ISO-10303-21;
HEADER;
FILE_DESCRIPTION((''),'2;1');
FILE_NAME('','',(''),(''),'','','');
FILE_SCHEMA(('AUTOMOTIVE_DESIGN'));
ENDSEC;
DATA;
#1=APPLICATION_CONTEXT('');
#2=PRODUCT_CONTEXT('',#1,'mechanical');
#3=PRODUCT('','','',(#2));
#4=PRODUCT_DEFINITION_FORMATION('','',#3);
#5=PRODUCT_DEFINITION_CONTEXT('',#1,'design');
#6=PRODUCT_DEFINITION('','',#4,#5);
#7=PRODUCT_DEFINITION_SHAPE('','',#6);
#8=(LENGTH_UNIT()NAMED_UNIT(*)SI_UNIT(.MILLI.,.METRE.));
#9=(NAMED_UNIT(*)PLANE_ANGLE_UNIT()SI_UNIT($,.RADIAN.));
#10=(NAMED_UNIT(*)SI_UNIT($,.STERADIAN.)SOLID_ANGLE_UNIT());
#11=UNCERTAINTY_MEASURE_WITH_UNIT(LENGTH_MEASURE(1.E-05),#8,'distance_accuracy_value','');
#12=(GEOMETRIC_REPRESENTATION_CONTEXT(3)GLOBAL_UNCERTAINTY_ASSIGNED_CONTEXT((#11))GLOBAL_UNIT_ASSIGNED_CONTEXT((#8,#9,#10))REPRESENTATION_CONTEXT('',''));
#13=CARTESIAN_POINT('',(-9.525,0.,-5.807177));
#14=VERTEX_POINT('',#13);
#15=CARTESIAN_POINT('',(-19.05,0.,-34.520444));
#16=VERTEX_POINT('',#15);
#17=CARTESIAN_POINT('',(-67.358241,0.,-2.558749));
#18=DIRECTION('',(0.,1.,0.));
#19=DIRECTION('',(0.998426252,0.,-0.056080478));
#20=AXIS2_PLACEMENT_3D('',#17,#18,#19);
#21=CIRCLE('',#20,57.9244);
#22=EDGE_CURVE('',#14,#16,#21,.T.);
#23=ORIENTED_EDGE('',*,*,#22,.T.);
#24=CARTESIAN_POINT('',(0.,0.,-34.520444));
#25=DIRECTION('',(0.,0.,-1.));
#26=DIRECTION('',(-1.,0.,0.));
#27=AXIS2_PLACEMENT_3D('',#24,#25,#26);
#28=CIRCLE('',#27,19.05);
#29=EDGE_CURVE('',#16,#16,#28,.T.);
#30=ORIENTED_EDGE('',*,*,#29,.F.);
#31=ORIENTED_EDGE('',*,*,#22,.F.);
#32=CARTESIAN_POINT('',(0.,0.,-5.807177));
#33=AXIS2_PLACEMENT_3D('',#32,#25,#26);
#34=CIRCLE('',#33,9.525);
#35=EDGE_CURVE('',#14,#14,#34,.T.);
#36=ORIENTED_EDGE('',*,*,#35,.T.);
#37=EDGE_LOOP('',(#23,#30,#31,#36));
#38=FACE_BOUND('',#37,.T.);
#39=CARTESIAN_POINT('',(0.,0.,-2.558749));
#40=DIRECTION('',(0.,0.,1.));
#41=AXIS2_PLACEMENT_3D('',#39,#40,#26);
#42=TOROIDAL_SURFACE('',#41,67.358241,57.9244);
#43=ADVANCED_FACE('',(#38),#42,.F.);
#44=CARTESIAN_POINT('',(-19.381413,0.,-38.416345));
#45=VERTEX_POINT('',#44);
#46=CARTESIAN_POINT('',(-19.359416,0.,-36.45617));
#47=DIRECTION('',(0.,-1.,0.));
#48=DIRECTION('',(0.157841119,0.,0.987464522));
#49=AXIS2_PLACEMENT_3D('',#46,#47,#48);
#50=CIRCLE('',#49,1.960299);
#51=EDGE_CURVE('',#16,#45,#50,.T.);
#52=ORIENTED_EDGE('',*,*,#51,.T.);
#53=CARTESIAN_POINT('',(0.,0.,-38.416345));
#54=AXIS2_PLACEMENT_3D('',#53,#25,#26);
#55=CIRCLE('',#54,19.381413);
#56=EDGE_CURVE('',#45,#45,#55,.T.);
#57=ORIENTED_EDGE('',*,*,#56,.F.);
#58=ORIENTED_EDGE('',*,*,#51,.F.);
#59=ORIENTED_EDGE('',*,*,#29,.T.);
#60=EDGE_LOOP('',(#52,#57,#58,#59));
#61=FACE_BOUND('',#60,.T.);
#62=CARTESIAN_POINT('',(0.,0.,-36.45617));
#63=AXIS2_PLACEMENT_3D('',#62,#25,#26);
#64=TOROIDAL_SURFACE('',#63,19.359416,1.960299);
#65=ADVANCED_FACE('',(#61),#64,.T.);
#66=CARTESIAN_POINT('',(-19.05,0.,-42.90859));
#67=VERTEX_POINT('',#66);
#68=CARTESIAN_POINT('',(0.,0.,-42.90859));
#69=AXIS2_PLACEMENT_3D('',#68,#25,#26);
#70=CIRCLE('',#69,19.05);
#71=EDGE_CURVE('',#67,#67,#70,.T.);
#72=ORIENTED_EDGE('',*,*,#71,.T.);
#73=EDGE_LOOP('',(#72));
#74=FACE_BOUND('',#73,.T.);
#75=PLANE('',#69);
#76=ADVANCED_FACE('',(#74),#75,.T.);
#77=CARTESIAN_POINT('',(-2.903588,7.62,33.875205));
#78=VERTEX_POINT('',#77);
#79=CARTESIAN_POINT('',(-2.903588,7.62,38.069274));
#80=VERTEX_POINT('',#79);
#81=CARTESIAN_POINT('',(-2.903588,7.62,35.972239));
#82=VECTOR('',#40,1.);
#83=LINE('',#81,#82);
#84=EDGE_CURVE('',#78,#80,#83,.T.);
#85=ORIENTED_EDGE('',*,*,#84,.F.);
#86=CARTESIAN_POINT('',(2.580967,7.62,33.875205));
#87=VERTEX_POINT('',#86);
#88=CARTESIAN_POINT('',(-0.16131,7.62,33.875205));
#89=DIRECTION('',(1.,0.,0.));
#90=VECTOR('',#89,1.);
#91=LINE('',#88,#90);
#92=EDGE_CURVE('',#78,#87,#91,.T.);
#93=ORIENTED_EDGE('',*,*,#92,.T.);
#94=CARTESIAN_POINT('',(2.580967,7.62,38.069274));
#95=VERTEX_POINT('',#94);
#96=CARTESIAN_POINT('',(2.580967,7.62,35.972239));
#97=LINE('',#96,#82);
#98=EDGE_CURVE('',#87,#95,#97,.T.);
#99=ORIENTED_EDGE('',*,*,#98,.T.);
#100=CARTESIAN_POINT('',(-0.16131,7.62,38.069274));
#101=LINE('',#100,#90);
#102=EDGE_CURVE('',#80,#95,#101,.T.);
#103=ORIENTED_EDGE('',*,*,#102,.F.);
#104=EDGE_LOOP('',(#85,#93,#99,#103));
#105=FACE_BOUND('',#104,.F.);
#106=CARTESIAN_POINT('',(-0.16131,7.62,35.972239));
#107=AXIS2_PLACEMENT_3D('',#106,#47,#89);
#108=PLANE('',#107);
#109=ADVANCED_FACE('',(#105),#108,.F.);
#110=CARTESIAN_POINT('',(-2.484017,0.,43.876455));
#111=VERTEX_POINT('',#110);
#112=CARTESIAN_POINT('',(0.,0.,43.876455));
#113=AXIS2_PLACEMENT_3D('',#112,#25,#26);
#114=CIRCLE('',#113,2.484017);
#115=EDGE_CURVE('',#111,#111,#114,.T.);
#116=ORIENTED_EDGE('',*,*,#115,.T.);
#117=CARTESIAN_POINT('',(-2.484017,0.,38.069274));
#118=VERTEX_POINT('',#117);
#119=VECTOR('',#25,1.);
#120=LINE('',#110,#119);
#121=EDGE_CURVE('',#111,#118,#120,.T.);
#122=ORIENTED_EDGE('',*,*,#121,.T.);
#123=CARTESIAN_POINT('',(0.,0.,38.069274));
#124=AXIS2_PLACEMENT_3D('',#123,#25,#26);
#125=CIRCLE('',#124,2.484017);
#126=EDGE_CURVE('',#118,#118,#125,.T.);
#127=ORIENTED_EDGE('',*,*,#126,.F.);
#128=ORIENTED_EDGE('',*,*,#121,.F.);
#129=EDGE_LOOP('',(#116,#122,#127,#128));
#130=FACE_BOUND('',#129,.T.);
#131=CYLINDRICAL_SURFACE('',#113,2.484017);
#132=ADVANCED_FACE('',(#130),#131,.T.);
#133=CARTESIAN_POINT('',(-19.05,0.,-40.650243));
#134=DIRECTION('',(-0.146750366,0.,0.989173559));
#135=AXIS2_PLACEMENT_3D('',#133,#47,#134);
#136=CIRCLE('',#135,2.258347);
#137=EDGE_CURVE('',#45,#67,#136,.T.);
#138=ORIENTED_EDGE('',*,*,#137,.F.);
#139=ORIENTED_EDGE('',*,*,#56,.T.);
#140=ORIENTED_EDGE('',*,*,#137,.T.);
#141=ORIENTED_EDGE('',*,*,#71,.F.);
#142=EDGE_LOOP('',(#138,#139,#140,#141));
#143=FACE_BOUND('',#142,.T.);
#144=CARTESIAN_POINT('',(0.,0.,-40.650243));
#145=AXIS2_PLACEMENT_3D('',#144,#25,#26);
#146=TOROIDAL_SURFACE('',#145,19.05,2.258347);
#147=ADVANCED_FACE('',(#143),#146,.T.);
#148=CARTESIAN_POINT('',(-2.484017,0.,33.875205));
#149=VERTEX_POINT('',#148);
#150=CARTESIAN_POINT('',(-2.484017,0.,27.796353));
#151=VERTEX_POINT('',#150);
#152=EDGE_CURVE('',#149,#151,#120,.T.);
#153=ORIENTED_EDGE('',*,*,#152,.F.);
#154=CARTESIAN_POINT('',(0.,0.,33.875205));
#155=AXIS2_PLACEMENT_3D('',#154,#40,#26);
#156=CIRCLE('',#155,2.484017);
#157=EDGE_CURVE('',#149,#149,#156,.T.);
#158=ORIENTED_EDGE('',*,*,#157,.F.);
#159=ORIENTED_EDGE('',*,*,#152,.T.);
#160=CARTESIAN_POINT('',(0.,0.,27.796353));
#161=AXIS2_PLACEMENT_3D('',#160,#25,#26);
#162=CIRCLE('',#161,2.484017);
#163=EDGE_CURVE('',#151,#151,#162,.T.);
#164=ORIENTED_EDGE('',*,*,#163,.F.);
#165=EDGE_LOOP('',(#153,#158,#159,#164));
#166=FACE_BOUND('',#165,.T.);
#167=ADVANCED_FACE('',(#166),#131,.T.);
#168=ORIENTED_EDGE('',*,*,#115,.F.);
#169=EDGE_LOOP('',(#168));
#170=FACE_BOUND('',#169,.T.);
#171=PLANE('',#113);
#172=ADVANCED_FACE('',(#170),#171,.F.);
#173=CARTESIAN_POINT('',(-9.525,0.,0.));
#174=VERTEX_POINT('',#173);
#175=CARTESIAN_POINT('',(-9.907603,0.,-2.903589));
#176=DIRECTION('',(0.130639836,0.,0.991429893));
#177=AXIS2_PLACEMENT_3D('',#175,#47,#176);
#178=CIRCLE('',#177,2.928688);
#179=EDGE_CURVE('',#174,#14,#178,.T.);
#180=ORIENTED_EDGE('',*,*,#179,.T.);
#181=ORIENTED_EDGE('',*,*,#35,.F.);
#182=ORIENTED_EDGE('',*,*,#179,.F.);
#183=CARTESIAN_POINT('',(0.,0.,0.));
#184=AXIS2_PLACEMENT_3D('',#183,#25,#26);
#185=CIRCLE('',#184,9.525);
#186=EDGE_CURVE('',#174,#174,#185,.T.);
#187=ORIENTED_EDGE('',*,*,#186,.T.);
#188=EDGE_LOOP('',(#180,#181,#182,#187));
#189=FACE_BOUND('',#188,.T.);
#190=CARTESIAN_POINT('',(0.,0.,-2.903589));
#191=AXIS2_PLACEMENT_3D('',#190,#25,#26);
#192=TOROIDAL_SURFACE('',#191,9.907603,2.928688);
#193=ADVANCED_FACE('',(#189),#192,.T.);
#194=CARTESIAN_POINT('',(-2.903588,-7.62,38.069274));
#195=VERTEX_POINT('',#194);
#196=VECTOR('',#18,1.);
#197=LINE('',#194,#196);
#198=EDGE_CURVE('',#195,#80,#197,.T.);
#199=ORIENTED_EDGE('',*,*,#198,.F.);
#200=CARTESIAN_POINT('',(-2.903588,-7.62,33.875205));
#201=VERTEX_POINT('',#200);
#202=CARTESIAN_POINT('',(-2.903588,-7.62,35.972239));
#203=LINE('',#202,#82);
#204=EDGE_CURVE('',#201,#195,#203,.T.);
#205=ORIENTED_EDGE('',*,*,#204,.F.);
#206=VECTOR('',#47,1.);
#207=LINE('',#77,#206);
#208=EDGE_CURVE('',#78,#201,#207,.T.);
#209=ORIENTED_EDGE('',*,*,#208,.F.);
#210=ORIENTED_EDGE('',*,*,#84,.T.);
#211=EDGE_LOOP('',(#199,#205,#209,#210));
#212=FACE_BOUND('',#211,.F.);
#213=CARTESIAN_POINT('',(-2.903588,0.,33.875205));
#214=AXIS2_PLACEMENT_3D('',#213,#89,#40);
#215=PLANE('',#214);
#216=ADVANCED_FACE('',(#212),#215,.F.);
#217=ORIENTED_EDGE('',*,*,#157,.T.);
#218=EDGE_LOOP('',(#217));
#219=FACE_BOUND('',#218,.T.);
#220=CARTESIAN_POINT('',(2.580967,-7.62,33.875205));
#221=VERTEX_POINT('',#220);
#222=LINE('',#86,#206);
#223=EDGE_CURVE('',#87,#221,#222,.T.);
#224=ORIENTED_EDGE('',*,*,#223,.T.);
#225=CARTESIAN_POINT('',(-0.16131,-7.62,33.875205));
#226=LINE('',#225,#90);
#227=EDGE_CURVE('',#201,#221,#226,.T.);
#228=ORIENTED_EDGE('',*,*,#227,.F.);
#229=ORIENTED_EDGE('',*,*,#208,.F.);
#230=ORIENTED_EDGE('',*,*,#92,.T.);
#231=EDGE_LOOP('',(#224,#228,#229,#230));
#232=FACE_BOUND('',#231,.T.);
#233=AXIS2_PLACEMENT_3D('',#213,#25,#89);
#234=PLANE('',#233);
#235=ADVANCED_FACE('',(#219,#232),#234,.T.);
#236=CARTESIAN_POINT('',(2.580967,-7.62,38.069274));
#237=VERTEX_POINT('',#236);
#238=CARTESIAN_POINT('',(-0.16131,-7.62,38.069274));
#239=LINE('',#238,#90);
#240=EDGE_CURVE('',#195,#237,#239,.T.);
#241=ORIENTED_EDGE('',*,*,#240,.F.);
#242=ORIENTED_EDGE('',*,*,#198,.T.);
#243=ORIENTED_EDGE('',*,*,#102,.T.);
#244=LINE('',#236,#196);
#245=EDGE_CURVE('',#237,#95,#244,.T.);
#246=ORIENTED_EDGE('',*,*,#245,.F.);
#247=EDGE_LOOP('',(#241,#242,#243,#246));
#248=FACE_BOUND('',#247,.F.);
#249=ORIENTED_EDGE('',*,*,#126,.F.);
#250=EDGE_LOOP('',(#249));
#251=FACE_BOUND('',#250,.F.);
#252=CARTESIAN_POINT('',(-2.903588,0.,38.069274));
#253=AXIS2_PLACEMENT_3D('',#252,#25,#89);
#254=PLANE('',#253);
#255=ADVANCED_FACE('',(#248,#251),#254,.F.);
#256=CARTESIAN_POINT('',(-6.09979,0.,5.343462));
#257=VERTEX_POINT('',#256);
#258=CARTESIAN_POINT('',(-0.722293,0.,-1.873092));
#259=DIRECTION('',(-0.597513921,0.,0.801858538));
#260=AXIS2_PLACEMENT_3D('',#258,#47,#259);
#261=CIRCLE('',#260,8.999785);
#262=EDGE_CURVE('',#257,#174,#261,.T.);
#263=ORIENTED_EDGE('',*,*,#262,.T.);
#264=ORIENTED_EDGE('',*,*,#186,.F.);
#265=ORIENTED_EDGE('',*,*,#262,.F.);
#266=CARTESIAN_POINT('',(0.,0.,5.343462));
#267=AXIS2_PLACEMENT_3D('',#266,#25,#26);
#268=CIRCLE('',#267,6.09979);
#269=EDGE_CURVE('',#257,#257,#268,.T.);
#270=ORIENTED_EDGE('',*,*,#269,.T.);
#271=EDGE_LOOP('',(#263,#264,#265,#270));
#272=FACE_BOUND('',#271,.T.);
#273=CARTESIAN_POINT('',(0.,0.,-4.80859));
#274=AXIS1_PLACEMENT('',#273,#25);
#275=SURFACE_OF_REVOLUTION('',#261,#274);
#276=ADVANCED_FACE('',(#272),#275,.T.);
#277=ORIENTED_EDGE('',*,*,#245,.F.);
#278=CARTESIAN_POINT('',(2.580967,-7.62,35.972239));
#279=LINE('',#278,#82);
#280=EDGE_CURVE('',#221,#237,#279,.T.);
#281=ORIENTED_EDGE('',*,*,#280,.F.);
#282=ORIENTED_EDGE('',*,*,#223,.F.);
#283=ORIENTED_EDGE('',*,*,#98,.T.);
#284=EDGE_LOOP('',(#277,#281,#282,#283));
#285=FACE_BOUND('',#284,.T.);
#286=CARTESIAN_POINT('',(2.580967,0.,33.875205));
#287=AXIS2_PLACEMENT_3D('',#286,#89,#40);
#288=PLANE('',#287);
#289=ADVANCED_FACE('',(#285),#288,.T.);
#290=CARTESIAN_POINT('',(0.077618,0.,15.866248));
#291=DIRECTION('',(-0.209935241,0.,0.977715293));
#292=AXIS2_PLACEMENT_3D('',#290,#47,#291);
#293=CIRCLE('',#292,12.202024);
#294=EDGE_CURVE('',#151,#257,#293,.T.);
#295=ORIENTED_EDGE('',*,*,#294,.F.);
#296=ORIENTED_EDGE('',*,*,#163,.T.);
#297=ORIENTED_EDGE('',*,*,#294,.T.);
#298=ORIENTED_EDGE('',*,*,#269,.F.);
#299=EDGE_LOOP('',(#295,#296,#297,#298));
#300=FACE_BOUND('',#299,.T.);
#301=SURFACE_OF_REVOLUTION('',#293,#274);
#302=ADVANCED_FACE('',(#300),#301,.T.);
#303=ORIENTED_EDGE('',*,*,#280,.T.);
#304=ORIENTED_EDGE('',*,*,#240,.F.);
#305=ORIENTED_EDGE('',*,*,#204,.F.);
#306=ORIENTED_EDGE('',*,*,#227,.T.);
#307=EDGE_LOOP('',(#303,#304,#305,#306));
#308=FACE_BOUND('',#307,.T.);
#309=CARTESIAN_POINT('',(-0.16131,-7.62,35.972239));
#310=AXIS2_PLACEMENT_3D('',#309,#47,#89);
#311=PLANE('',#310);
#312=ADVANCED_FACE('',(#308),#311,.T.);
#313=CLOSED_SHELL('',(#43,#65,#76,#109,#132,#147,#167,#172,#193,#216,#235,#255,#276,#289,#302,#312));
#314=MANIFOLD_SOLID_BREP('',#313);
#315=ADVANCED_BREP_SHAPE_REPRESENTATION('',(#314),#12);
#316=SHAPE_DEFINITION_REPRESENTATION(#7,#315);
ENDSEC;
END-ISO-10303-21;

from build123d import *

# Parameters (mm, degrees)
F2_W     = 5.4845558479
F2_H     = 4.1940696537
F3_DEPTH = 7.62
F4_DEPTH = 7.62


with BuildPart() as f1:
    # F0 (on Front) → F1 (revolve)
    with BuildSketch(Plane.XZ):
        with BuildLine():
            Line((0, -42.908590287), (0, 33.291409713))
            Line((0, 33.291409713), (0, 43.8764546061))
            Line((0, 43.8764546061), (-2.4840172301, 43.8764546061))
            Line((-2.4840172301, 43.8764546061), (-2.4840172301, 27.7963530089))
            ThreePointArc((-2.4840172301, 27.7963530089), (-11.9691992214, 17.8062450646), (-6.0997897262, 5.3434618149))
            ThreePointArc((-6.0997897262, 5.3434618149), (-8.2990792991, 2.9837002988), (-9.525, 0))
            ThreePointArc((-9.525, 0), (-12.8362910364, -2.9035885818), (-9.525, -5.8071771637))
            ThreePointArc((-9.525, -5.8071771637), (-12.3799137677, -20.7966104823), (-19.05, -34.5204435289))
            ThreePointArc((-19.05, -34.5204435289), (-21.3126606479, -36.2900125781), (-19.3814132999, -38.4163454563))
            ThreePointArc((-19.3814132999, -38.4163454563), (-21.3022265869, -40.816399922), (-19.05, -42.908590287))
            Line((-19.05, -42.908590287), (0, -42.908590287))
        make_face()
        with BuildLine():
            ThreePointArc((-19.05, -38.3918955922), (-19.2151876171, -38.4111559162), (-19.3814132999, -38.4163454563))
            ThreePointArc((-19.3814132999, -38.4163454563), (-19.2161569824, -38.3980163527), (-19.05, -38.3918955922))
        make_face(mode=Mode.SUBTRACT)
        with BuildLine():
            ThreePointArc((-19.05, -38.3918955922), (-19.2161569824, -38.3980163527), (-19.3814132999, -38.4163454563))
            ThreePointArc((-19.3814132999, -38.4163454563), (-19.2151876171, -38.4111559162), (-19.05, -38.3918955922))
        make_face()
    revolve(axis=Axis((0, 0, -4.808590287), (0, 0, -1)))

    # F2 (on Front) → F3 (join)
    with BuildSketch(Plane.XZ):
        with Locations((-0.161310425, 35.9722394496)):
            Rectangle(F2_W, F2_H)
    extrude(amount=F3_DEPTH)

    # F2 (on Front) → F4 (join)
    with BuildSketch(Plane.XZ):
        with Locations((-0.161310425, 35.9722394496)):
            Rectangle(F2_W, F2_H)
    extrude(amount=-F4_DEPTH)


solid = f1.part
